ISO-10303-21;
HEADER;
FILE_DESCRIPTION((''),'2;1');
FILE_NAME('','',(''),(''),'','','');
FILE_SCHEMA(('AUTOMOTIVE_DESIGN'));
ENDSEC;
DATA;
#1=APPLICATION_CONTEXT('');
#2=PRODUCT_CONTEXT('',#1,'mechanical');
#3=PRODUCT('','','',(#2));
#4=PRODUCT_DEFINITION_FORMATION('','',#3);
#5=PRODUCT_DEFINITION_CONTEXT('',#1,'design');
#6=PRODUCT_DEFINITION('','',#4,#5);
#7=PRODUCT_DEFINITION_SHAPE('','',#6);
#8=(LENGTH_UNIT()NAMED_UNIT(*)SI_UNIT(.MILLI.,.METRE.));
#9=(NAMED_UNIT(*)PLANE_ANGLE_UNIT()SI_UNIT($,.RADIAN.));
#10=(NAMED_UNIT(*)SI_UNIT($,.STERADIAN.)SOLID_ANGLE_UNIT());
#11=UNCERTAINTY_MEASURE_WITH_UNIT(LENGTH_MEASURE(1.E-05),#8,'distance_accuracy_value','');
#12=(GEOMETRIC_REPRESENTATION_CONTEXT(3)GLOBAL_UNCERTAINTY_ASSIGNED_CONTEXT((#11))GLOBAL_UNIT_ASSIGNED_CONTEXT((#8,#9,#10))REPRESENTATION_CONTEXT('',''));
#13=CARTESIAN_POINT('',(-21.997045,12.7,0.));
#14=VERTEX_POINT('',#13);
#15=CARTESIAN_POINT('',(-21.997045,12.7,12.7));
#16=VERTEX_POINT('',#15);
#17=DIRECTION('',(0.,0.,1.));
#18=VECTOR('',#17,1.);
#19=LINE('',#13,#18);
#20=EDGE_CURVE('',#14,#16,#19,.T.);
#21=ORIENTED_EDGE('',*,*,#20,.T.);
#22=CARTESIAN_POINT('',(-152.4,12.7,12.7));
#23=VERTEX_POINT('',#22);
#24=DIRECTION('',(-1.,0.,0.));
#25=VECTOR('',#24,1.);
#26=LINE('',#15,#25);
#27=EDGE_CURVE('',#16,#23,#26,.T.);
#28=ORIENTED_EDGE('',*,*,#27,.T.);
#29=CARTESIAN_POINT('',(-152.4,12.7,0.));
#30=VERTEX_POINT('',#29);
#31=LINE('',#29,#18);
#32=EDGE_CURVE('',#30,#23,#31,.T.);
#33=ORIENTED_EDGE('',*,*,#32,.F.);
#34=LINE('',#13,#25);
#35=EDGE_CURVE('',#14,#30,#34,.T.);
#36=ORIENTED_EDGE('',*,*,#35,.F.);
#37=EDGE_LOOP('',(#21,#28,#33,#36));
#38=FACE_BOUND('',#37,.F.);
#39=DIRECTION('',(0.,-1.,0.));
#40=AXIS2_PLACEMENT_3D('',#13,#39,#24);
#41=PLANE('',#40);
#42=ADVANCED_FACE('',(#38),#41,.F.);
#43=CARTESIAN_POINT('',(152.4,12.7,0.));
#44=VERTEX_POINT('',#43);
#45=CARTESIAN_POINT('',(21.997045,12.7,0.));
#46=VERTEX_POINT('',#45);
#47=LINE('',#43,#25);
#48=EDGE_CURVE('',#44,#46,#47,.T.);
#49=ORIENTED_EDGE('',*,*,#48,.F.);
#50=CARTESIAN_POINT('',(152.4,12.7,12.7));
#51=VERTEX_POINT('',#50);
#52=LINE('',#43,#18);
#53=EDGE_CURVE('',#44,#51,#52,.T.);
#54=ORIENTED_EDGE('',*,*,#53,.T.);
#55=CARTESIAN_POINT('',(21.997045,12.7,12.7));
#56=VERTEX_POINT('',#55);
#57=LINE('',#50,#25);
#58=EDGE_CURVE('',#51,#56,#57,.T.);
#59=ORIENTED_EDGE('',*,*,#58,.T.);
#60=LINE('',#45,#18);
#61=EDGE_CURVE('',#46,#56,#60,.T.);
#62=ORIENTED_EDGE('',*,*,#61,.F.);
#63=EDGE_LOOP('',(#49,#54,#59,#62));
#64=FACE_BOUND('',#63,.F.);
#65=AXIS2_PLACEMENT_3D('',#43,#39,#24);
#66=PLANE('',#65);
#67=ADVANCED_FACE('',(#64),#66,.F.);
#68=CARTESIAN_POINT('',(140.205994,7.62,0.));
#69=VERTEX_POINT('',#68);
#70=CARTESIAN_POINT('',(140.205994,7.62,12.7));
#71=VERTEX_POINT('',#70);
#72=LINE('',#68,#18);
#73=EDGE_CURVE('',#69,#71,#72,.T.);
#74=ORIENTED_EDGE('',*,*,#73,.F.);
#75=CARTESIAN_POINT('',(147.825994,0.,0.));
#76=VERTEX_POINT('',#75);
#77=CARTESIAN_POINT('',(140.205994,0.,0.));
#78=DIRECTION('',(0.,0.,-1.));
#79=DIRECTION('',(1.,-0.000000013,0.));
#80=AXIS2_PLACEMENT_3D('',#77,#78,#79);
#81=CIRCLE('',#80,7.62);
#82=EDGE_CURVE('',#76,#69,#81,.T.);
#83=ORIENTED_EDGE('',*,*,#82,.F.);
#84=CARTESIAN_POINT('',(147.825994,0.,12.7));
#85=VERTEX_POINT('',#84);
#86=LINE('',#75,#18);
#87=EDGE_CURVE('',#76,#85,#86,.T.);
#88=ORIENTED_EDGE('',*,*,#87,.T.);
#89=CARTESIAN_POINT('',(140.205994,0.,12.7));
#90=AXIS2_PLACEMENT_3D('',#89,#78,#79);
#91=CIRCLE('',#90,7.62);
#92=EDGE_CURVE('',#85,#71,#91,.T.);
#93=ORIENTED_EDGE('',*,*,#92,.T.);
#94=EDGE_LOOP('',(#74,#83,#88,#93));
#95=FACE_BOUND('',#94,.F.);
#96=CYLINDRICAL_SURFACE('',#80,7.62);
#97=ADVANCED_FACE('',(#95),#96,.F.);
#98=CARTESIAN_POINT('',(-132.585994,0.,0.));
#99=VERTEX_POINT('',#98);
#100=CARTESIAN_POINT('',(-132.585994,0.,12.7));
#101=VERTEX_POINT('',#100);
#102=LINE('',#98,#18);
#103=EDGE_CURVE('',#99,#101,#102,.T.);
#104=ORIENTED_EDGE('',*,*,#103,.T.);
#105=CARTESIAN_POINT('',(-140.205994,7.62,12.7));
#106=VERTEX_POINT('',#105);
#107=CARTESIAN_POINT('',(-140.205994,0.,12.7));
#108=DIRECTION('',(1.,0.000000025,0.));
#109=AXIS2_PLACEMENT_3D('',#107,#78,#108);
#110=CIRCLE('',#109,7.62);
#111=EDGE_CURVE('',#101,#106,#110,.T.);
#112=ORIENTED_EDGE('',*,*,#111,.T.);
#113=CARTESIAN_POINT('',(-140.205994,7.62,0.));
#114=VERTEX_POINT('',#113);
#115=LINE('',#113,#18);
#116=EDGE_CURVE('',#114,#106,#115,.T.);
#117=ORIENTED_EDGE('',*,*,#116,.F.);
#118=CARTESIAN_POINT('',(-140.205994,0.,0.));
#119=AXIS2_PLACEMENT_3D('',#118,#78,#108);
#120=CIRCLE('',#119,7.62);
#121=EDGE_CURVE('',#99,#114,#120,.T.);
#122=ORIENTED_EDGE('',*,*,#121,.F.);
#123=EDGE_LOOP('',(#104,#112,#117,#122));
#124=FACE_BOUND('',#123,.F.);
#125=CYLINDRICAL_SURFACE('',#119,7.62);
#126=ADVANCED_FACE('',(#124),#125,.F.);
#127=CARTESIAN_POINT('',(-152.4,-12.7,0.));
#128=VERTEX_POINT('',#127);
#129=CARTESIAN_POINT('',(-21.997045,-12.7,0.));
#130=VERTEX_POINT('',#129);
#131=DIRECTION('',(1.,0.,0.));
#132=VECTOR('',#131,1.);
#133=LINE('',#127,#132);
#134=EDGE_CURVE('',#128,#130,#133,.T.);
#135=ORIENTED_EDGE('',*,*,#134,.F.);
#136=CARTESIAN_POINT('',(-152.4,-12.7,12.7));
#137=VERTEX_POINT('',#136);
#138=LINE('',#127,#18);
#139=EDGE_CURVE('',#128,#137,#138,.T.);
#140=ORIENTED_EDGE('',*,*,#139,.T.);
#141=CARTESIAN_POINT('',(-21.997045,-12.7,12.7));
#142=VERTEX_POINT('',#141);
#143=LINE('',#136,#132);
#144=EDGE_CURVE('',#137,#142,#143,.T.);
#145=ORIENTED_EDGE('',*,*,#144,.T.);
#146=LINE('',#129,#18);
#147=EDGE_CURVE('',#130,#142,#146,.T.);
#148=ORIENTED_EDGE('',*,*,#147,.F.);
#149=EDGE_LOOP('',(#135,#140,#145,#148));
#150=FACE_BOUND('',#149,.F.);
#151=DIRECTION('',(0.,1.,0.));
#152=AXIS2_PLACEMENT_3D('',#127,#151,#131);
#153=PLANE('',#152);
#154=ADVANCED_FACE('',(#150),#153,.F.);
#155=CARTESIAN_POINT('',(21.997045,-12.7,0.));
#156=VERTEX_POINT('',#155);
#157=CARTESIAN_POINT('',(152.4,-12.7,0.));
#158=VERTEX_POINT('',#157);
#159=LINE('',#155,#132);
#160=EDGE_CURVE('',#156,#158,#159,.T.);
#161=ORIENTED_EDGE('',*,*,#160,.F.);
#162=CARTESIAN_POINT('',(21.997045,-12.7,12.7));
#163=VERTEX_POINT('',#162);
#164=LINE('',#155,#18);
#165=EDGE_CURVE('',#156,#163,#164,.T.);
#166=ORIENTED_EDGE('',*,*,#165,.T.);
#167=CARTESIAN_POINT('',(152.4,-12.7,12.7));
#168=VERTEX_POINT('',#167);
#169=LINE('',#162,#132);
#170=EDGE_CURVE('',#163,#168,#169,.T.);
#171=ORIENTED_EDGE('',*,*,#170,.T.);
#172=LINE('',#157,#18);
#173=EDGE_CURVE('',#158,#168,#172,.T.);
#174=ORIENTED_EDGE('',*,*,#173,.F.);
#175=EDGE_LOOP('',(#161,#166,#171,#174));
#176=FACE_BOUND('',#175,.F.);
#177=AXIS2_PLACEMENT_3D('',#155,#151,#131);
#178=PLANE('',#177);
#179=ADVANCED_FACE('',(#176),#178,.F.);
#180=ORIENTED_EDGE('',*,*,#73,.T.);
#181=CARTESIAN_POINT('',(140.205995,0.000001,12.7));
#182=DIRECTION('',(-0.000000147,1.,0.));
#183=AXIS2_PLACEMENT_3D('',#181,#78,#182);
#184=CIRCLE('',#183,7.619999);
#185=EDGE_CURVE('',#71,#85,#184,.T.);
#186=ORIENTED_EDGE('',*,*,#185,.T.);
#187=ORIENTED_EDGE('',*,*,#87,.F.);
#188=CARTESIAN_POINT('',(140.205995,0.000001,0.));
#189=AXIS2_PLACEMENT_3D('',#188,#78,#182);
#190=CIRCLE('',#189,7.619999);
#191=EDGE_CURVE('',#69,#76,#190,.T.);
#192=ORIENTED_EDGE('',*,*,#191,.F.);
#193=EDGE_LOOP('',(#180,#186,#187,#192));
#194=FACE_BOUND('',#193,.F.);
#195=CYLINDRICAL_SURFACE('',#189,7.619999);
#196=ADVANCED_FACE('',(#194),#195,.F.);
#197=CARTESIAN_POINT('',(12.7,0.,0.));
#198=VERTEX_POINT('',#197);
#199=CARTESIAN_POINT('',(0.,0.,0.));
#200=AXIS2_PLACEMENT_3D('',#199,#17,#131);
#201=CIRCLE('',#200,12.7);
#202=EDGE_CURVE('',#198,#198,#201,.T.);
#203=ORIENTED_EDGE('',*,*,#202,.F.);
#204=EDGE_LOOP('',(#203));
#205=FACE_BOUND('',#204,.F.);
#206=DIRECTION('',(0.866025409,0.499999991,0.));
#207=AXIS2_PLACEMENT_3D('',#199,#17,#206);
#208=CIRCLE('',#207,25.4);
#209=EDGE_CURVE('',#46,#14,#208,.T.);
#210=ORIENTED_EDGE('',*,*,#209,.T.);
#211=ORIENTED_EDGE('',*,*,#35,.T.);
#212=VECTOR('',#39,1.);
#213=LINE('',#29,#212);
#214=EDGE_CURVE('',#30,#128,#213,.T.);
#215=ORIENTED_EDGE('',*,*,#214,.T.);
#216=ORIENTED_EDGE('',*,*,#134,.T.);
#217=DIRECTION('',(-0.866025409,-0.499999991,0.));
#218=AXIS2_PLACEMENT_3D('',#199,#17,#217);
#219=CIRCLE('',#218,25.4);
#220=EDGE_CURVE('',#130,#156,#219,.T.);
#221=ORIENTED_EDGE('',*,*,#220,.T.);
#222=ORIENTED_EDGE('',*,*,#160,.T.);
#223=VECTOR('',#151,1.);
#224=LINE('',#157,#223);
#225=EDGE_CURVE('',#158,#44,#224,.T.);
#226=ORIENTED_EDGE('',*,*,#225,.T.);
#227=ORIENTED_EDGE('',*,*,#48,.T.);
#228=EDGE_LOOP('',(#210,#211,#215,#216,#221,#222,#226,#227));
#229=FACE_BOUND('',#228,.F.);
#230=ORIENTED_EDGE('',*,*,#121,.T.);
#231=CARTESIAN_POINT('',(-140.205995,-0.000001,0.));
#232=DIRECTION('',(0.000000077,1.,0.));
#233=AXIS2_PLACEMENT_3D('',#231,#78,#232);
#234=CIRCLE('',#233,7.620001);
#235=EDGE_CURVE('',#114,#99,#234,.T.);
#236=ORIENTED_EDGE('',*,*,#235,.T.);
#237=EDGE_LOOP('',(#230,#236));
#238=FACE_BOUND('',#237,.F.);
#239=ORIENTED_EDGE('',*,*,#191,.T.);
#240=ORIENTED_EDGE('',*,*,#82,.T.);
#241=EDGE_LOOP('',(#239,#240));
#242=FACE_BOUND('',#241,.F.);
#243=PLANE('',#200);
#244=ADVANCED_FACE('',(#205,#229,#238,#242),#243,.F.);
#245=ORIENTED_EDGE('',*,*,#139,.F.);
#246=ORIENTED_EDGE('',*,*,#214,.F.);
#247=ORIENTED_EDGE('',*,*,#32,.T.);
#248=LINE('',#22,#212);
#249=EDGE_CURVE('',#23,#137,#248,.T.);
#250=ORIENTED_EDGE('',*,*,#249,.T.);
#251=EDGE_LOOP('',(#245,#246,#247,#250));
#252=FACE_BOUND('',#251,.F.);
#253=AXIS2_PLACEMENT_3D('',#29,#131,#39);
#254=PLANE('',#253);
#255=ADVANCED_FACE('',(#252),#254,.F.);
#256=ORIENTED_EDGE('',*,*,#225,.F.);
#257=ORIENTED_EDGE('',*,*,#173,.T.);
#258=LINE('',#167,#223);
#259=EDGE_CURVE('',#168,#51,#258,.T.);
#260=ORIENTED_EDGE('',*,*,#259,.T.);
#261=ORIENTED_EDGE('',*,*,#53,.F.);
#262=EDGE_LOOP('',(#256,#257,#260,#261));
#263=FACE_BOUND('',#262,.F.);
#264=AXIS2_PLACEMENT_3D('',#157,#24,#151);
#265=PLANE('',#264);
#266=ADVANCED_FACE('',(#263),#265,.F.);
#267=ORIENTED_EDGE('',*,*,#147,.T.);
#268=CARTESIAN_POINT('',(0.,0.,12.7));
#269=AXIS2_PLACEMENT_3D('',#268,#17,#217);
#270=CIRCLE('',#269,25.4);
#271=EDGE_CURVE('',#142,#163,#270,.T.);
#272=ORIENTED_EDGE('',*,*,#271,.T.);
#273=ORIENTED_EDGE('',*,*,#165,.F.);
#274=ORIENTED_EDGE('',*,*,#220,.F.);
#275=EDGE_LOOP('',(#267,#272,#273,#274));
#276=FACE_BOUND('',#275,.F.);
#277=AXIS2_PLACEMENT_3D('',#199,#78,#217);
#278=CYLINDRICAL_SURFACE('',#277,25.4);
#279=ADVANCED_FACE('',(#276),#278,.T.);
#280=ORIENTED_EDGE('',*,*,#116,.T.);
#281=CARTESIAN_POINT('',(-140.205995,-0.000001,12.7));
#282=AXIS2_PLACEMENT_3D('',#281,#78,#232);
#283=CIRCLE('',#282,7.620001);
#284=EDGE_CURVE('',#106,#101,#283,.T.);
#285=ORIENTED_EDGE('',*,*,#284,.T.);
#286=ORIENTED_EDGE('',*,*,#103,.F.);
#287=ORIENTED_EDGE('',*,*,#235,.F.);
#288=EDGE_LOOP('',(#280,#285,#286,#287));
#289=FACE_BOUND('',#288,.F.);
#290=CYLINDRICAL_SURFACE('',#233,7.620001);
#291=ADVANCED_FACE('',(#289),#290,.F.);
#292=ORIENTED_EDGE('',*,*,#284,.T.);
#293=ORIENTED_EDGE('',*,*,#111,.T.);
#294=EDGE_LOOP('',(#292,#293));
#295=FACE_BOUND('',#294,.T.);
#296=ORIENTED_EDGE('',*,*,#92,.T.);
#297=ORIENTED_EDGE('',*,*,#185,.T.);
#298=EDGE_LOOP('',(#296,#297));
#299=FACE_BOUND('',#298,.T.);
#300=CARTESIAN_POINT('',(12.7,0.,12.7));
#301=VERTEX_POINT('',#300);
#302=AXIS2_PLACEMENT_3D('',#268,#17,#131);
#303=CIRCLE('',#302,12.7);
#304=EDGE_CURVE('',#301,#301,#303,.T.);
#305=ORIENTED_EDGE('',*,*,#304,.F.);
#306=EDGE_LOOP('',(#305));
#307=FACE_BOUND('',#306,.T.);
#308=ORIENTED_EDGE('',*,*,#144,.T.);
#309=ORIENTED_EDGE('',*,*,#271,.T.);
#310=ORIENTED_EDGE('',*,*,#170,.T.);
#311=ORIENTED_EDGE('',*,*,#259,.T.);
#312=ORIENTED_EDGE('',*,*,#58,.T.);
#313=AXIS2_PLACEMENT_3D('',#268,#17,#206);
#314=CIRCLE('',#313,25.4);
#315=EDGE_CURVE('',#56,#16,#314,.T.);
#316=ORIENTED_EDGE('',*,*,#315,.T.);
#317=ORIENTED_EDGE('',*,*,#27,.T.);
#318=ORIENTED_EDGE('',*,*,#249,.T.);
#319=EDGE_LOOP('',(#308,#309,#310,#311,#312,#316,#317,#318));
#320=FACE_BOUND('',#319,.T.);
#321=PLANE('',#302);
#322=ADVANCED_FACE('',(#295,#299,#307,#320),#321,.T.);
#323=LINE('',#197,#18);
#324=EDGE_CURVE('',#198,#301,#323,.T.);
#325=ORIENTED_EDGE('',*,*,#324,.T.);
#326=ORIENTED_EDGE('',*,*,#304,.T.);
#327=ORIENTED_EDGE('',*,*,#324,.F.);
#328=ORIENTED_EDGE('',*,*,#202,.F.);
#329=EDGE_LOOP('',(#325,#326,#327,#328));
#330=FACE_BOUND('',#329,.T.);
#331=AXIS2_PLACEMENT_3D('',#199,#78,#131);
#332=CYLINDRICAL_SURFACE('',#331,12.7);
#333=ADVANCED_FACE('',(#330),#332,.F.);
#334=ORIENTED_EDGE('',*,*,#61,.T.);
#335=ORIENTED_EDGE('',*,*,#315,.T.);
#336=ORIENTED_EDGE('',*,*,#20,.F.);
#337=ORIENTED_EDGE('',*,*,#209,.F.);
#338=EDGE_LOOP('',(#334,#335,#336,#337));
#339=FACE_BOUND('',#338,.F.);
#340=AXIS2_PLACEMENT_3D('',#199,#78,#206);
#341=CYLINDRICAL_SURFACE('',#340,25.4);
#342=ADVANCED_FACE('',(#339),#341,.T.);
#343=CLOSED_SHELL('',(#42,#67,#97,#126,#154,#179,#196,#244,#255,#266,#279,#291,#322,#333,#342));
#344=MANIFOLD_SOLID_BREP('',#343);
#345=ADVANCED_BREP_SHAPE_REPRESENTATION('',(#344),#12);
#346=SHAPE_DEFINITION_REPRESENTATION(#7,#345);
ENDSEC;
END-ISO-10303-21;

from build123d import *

# Parameters (mm, degrees)
F0_R     = 12.7
F1_DEPTH = 12.7


with BuildPart() as f1:
    # F0 (on Top) → F1 (new body)
    with BuildSketch(Plane.XY):
        with BuildLine():
            Line((152.4, 12.7), (21.997045, 12.7))
            ThreePointArc((21.997045, 12.7), (0, 25.4), (-21.997045, 12.7))
            Line((-21.997045, 12.7), (-152.4, 12.7))
            Line((-152.4, 12.7), (-152.4, 0))
            Line((-152.4, 0), (-152.4, -12.7))
            Line((-152.4, -12.7), (-21.997045, -12.7))
            ThreePointArc((-21.997045, -12.7), (0, -25.4), (21.997045, -12.7))
            Line((21.997045, -12.7), (152.4, -12.7))
            Line((152.4, -12.7), (152.4, 0))
            Line((152.4, 0), (152.4, 12.7))
        make_face()
        with BuildLine():
            ThreePointArc((-140.205994, 7.62), (-134.817841, 5.388154), (-132.585994, 0))
            ThreePointArc((-132.585994, 0), (-145.594148, -5.388154), (-140.205994, 7.62))
        make_face(mode=Mode.SUBTRACT)
        Circle(F0_R, mode=Mode.SUBTRACT)
        with BuildLine():
            ThreePointArc((140.205994, 7.62), (145.594148, 5.388154), (147.825994, 0))
            ThreePointArc((147.825994, 0), (134.817841, -5.388154), (140.205994, 7.62))
        make_face(mode=Mode.SUBTRACT)
    extrude(amount=F1_DEPTH)


solid = f1.part
